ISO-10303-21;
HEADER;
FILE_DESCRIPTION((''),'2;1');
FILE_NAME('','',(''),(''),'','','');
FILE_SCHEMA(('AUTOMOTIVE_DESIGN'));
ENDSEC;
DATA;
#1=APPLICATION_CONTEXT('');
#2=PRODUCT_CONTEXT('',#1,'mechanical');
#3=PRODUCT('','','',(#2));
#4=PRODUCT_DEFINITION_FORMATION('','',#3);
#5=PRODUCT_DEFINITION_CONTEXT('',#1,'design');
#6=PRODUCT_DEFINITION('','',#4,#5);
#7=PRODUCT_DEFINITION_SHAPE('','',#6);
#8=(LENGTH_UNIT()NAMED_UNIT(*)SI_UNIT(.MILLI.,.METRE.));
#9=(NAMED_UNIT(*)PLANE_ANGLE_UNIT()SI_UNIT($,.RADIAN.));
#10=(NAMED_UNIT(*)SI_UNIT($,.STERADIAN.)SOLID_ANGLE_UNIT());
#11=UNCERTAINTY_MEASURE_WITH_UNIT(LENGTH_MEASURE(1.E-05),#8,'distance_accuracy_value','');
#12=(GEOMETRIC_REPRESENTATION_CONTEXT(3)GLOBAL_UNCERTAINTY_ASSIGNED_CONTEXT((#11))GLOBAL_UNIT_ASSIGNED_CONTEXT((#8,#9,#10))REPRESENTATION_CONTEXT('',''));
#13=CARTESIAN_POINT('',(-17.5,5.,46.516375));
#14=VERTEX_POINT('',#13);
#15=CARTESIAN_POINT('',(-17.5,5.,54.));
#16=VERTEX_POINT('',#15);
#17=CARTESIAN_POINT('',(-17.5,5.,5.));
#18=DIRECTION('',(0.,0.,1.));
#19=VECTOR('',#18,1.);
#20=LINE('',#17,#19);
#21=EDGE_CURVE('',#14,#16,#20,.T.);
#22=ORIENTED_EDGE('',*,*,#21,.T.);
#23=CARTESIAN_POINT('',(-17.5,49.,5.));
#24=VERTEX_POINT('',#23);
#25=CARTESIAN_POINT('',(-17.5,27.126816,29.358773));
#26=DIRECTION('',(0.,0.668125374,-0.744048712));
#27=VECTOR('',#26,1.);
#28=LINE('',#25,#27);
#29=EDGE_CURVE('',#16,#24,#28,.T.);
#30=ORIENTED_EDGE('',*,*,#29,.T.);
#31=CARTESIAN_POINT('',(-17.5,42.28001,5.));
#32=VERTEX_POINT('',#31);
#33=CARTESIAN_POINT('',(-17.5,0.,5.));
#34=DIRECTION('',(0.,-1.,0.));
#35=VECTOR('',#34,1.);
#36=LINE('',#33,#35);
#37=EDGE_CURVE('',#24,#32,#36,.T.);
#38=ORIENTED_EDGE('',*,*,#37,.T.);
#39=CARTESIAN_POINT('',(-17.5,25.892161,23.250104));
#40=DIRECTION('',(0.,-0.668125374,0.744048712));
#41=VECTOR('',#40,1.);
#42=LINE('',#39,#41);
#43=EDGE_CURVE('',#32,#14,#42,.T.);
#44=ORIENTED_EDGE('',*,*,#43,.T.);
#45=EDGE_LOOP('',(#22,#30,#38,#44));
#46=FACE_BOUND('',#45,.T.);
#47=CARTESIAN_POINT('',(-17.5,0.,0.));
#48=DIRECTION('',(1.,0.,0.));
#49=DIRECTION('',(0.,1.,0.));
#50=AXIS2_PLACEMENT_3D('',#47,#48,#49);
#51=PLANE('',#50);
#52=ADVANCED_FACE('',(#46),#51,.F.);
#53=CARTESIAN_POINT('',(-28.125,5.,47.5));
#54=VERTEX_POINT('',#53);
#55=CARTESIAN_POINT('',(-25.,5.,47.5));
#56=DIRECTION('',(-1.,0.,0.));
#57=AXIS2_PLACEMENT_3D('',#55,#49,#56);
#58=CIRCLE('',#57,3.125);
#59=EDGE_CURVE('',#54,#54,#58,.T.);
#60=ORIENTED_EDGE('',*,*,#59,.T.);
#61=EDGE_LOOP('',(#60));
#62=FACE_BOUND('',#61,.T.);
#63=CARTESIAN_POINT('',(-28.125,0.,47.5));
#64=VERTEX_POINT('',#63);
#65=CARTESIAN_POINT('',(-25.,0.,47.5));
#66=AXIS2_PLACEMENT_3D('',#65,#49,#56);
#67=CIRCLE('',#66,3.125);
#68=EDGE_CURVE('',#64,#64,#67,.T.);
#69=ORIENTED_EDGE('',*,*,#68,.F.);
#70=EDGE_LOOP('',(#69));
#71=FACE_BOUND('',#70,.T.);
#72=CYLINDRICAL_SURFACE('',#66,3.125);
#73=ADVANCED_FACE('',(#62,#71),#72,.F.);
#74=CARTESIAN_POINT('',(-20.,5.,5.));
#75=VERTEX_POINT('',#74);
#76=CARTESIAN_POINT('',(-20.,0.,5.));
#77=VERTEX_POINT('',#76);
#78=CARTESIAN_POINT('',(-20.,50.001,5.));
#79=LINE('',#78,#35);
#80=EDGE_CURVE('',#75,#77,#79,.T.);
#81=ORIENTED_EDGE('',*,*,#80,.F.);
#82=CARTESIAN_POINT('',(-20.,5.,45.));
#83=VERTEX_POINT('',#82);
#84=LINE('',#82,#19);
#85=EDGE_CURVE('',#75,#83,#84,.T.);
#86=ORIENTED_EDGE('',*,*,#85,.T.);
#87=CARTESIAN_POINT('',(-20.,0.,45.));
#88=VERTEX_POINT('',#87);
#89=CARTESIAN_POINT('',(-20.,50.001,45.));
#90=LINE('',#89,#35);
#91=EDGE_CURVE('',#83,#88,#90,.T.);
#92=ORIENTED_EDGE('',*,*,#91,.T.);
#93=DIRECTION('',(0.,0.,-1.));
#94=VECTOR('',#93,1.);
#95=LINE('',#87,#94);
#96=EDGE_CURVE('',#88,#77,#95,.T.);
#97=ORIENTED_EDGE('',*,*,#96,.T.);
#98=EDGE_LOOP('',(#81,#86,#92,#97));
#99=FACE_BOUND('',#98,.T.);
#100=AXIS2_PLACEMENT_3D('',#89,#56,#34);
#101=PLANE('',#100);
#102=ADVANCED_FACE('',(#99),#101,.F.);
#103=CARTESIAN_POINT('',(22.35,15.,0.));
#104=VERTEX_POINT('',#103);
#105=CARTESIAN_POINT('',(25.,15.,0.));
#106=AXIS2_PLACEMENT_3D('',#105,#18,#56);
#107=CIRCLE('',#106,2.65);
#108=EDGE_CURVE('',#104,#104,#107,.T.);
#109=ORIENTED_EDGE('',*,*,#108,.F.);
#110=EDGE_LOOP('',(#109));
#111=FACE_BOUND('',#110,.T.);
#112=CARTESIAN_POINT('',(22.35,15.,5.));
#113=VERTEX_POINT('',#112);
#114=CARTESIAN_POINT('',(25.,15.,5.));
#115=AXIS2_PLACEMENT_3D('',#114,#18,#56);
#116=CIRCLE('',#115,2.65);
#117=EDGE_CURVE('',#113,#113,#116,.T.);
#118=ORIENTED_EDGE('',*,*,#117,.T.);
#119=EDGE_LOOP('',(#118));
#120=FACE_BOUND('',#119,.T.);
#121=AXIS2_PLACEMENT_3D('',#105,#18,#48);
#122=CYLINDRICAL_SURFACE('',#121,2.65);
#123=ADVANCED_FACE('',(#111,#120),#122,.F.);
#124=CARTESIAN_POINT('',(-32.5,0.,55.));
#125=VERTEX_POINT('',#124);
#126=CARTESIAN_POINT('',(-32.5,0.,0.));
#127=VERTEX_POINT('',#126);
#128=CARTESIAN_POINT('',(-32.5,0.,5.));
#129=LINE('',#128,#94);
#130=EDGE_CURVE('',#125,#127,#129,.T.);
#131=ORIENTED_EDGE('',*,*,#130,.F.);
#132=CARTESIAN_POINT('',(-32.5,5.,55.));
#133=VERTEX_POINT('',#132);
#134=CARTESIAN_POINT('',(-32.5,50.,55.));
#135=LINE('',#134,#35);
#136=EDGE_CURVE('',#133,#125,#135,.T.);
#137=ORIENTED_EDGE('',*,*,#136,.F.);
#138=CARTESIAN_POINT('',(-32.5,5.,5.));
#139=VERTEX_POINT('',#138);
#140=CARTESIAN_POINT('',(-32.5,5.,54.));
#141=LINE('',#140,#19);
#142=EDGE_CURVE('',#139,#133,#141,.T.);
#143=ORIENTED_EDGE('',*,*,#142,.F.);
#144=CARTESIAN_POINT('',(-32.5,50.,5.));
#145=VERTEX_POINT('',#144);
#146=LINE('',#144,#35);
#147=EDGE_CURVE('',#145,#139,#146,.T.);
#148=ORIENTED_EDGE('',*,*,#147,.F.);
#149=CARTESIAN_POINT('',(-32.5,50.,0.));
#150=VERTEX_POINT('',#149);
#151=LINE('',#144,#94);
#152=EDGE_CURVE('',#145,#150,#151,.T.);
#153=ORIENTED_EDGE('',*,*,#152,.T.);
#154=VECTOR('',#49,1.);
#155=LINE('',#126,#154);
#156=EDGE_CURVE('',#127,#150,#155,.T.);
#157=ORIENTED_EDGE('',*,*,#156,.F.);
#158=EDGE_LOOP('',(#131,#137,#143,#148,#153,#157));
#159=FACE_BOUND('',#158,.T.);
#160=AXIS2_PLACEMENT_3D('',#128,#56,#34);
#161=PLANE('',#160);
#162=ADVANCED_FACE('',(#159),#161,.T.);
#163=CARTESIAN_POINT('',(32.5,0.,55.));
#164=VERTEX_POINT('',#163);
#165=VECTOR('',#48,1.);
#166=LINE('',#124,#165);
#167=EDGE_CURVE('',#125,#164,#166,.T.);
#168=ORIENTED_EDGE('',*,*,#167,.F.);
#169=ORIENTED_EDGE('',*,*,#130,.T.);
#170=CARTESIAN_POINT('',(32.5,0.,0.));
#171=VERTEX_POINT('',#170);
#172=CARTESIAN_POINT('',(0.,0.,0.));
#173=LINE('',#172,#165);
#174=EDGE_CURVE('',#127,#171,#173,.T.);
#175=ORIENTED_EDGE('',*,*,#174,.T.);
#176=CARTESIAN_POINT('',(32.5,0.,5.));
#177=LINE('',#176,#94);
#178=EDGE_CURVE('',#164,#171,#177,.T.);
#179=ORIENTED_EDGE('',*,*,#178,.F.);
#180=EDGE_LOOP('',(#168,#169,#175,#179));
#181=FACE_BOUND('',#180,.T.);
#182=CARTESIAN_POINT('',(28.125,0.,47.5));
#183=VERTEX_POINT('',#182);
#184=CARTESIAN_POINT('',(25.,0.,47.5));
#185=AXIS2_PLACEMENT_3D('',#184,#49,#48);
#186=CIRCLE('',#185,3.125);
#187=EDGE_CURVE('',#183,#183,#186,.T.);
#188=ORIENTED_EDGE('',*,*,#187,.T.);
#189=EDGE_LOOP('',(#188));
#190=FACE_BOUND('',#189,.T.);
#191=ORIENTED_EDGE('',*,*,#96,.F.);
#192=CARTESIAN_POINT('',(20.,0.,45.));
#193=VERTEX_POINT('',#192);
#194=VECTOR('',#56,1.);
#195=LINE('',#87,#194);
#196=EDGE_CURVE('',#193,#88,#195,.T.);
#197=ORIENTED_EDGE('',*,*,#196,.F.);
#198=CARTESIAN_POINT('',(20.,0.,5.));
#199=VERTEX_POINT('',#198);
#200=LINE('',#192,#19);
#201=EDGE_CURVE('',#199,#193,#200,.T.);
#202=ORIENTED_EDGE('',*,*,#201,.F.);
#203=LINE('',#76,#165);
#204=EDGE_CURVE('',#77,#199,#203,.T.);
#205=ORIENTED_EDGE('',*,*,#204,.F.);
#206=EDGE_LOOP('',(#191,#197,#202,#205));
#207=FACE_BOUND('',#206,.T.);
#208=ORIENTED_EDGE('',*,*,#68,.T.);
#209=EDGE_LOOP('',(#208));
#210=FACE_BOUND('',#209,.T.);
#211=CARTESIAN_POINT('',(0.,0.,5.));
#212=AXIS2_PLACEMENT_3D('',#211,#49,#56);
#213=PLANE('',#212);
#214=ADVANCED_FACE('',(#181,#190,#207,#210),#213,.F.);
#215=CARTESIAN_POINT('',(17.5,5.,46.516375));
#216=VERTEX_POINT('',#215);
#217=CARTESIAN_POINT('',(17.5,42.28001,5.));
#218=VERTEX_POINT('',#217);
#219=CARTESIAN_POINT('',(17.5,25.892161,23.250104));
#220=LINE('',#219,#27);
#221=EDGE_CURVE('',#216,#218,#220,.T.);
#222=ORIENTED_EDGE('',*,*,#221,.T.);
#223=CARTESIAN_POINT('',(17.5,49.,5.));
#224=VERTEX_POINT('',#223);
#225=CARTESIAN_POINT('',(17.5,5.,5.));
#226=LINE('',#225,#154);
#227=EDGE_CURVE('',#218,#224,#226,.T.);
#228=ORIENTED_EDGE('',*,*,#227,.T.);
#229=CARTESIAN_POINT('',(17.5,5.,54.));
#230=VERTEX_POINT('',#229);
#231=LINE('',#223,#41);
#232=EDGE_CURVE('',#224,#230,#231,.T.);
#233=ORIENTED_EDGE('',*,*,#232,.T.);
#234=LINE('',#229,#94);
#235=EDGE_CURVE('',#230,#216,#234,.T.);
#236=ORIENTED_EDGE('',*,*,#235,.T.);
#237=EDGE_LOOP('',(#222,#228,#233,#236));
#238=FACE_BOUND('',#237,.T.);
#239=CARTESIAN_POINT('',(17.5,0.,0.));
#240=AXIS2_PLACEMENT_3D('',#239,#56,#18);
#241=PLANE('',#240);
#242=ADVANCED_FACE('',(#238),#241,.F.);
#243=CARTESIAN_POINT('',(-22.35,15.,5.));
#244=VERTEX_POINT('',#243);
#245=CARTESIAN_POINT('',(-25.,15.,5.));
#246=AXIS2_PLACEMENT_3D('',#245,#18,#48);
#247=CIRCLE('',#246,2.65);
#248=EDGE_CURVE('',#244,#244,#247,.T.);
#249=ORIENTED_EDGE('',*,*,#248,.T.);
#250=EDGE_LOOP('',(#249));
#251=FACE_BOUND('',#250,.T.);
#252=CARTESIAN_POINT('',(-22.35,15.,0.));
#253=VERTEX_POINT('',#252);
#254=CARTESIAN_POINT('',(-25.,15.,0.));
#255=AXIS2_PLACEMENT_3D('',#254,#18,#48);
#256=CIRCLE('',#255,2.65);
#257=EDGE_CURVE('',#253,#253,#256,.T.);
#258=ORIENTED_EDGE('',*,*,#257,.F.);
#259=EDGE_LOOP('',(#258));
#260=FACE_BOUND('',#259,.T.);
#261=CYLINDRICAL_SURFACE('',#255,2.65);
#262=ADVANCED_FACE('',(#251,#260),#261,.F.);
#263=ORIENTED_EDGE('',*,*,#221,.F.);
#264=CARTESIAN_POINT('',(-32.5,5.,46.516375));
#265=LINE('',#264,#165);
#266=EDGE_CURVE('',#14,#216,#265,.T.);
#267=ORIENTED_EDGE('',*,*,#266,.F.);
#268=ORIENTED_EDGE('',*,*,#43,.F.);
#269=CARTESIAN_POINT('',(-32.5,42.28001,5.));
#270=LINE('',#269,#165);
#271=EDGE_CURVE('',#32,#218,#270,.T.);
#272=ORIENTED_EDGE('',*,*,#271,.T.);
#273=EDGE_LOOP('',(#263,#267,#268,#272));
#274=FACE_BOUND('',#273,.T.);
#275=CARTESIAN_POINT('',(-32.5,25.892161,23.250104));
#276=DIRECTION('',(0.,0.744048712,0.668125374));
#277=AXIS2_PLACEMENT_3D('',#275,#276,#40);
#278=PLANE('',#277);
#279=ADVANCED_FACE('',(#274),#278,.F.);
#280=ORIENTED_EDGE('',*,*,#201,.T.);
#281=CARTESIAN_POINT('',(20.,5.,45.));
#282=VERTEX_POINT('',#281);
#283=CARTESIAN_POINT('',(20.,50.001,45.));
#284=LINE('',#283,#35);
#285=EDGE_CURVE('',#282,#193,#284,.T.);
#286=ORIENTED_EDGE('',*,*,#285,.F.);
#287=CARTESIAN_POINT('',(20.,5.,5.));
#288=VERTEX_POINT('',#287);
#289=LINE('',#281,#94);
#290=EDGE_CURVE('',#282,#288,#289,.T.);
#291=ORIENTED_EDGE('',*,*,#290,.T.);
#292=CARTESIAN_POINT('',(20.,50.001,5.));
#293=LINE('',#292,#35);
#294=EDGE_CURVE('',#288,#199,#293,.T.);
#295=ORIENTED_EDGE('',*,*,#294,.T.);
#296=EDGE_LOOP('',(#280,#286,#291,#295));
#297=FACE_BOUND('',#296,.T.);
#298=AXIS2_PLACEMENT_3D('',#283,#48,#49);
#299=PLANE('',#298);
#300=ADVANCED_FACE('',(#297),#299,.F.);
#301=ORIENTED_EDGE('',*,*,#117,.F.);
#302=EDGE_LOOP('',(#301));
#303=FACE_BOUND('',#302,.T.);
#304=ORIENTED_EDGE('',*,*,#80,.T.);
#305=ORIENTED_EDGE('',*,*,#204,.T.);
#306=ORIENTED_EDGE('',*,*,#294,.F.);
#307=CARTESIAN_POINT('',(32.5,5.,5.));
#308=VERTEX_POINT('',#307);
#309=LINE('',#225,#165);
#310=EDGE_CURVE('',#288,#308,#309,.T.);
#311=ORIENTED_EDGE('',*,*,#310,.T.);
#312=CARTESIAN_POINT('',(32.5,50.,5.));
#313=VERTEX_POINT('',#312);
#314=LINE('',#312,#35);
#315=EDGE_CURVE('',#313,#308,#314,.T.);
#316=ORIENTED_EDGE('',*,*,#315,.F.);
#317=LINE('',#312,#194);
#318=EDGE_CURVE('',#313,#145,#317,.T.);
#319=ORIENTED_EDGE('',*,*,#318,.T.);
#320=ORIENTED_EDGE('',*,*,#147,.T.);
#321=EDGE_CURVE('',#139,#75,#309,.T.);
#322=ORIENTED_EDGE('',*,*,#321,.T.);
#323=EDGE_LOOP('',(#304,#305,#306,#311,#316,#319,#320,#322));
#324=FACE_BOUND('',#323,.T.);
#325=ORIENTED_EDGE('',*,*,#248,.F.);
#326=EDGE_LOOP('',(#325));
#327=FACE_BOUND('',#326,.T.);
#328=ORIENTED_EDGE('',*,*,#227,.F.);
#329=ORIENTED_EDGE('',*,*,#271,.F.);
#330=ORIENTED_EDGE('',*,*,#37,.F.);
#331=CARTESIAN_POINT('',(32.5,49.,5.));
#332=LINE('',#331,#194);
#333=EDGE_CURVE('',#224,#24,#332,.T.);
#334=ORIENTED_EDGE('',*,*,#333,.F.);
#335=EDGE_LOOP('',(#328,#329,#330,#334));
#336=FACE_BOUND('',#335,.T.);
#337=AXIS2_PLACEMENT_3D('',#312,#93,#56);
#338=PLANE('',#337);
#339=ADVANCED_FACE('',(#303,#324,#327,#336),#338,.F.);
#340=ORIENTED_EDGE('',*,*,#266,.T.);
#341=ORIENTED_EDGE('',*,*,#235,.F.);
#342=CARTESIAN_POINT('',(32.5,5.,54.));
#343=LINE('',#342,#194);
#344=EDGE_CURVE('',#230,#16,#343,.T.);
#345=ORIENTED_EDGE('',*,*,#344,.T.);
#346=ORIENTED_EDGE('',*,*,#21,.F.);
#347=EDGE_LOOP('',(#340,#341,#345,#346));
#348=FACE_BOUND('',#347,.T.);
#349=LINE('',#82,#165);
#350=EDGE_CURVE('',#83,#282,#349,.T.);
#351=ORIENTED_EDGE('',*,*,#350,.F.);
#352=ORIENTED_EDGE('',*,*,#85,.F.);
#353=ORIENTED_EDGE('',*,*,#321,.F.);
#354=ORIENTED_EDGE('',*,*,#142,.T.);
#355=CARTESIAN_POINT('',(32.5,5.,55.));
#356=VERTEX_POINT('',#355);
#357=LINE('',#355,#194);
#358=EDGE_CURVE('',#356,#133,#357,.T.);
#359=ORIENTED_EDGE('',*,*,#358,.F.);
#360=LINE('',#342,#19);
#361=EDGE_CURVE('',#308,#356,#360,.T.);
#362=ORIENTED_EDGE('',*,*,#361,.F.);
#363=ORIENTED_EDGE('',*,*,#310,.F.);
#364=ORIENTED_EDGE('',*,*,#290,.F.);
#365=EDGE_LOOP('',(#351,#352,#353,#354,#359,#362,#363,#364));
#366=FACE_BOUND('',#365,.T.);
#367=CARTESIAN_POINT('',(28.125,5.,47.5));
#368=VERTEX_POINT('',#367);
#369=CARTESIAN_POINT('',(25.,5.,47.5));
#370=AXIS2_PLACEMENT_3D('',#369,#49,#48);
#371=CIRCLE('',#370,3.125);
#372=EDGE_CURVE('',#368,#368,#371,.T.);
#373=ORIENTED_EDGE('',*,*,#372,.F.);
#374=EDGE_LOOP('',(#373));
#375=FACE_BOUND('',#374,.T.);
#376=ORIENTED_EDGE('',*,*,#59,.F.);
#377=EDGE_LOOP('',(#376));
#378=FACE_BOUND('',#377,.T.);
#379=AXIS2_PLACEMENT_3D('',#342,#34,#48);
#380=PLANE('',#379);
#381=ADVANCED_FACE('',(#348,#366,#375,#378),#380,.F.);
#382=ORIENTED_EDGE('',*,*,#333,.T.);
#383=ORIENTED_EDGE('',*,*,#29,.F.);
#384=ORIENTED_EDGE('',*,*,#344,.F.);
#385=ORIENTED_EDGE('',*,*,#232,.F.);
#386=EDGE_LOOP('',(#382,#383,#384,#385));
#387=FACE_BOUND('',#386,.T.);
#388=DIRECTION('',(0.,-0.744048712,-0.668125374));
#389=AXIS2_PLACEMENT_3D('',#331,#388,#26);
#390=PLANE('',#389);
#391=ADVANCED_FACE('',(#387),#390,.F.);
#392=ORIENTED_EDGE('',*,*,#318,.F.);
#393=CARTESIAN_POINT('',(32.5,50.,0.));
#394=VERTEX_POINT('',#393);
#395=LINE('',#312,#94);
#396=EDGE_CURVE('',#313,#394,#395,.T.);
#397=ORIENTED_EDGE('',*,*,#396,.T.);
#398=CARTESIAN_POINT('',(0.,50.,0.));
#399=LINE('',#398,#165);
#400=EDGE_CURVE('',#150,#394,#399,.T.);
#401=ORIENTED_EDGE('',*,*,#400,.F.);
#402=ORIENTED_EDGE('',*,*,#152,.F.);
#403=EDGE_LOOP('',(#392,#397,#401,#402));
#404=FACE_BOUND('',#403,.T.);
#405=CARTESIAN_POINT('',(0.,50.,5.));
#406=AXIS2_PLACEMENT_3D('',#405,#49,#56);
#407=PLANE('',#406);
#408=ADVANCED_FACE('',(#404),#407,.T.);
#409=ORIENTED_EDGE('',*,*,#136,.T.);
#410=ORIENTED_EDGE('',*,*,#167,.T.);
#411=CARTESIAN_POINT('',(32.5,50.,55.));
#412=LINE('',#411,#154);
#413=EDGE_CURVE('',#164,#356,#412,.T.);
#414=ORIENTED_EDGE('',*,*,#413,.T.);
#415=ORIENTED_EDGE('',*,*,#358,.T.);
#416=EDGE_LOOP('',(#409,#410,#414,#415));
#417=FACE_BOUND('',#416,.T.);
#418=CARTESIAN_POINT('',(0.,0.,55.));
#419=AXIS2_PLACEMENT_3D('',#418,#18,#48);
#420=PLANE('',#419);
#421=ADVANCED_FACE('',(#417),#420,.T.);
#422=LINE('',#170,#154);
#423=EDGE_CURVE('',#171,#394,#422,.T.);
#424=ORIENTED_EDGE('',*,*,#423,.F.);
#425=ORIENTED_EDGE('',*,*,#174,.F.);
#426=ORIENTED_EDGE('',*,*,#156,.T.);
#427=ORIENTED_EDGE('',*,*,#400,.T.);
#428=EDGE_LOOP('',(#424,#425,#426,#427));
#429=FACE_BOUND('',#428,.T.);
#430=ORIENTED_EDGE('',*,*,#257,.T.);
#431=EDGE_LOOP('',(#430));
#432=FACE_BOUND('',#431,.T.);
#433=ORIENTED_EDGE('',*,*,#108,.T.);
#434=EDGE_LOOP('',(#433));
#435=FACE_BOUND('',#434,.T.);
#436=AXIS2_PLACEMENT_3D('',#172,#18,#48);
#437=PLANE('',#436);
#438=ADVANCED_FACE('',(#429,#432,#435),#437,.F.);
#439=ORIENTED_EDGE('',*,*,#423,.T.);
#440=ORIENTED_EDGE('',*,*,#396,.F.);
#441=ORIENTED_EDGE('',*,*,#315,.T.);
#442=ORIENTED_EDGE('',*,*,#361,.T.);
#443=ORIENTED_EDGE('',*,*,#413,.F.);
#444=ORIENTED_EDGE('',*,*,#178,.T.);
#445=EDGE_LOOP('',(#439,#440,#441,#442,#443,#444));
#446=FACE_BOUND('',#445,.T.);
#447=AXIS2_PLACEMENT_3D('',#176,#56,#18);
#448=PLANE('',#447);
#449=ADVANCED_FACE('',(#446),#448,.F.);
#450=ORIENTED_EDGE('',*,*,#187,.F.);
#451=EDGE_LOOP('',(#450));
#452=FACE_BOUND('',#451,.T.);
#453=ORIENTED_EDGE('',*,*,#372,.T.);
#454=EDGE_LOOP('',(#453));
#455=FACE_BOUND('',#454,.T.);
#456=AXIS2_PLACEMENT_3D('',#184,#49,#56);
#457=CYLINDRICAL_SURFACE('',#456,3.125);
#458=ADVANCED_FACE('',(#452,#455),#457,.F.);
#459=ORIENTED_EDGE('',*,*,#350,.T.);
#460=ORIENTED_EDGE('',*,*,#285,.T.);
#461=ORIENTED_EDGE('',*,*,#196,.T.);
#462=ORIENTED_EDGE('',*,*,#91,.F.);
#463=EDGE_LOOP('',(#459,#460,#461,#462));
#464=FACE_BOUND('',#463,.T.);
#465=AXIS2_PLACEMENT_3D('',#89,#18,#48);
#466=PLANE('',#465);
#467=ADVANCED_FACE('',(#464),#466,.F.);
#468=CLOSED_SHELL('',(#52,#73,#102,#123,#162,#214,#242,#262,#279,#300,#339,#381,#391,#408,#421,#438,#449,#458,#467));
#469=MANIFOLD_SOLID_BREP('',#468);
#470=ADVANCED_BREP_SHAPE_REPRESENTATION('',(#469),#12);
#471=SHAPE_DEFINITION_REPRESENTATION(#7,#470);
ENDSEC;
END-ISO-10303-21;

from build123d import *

# Parameters (mm, degrees)
SKETCH1_W           = 65
SKETCH1_H           = 50
BOSS_EXTRUDE1_DEPTH = 5
SKETCH7_W           = 65
SKETCH7_H           = 50
BOSS_EXTRUDE5_DEPTH = 50
CUT_EXTRUDE4_DEPTH  = 99.742088291
SKETCH9_R           = 2.65
CUT_EXTRUDE5_DEPTH  = 78.821912081
SKETCH10_R          = 3.125
CUT_EXTRUDE6_DEPTH  = 79.14249804
CUT_EXTRUDE14_DEPTH = 15
CUT_EXTRUDE15_START = -65
CUT_EXTRUDE15_DEPTH = 15
CUT_EXTRUDE16_DEPTH = 99.742088291
CUT_EXTRUDE17_REACH = 83.125
SKETCH26_W          = 40
SKETCH26_H          = 40


with BuildPart() as part:
    # Sketch1 → Boss-Extrude1 (new body)
    with BuildSketch(Plane.XY):
        with Locations((0, 25)):
            Rectangle(SKETCH1_W, SKETCH1_H)
    extrude(amount=BOSS_EXTRUDE1_DEPTH)

    # Sketch7 → Boss-Extrude5 (add)
    with BuildSketch(Plane.XY.offset(5)):
        with Locations((0, 25)):
            Rectangle(SKETCH7_W, SKETCH7_H)
    extrude(amount=BOSS_EXTRUDE5_DEPTH)

    # Sketch8 → Cut-Extrude4 (cut, through all)
    with BuildSketch(Plane.ZY.offset(32.5)):
        Polygon((55, 50), (5, 50), (5, 49), (54, 5), (55, 5), align=None)
    extrude(amount=-CUT_EXTRUDE4_DEPTH, mode=Mode.SUBTRACT)

    # Sketch9 → Cut-Extrude5 (cut, through all)
    with BuildSketch(Plane.XY.offset(5)):
        with Locations((-25, 15)):
            Circle(SKETCH9_R)
        with Locations(Location((25, 15, 0), (0, 0, 180))):
            Circle(SKETCH9_R)
    extrude(amount=-CUT_EXTRUDE5_DEPTH, mode=Mode.SUBTRACT)

    # Sketch10 → Cut-Extrude6 (cut, through all)
    with BuildSketch(Plane(origin=(0, 5, 0), x_dir=(1, 0, 0), z_dir=(0, 1, 0))):
        with Locations(Location((-25, -47.5, 0), (0, 0, 180))):
            Circle(SKETCH10_R)
        with Locations((25, -47.5)):
            Circle(SKETCH10_R)
    extrude(amount=-CUT_EXTRUDE6_DEPTH, mode=Mode.SUBTRACT)

    # Sketch24 → Cut-Extrude14 (cut)
    with BuildSketch(Plane(origin=(32.5, 0, 0), x_dir=(0, 0, -1), z_dir=(1, 0, 0))):
        Polygon((-5, 49), (-54, 5), (-5, 5), align=None)
    extrude(amount=-CUT_EXTRUDE14_DEPTH, mode=Mode.SUBTRACT)

    # Sketch24<2> → Cut-Extrude15 (cut)
    with BuildSketch(Plane(origin=(32.5, 0, 0), x_dir=(0, 0, -1), z_dir=(1, 0, 0)).offset(CUT_EXTRUDE15_START)):
        Polygon((-5, 49), (-54, 5), (-5, 5), align=None)
    extrude(amount=CUT_EXTRUDE15_DEPTH, mode=Mode.SUBTRACT)

    # Sketch25 → Cut-Extrude16 (cut, through all)
    with BuildSketch(Plane(origin=(32.5, 0, 0), x_dir=(0, 0, -1), z_dir=(1, 0, 0))):
        Polygon((-5, 5), (-5, 42.280009867), (-46.516374625, 5), align=None)
    extrude(amount=-CUT_EXTRUDE16_DEPTH, mode=Mode.SUBTRACT)

    # Sketch26 → Cut-Extrude17 (cut, up to next)
    with BuildSketch(Plane.XZ, mode=Mode.PRIVATE) as cut_extrude17_sk1:
        with Locations((0, 25)):
            Rectangle(SKETCH26_W, SKETCH26_H)
    cut_extrude17_tool1 = extrude(cut_extrude17_sk1.sketch, amount=-CUT_EXTRUDE17_REACH, mode=Mode.PRIVATE) & part.part
    add(cut_extrude17_tool1.solids().sort_by_distance((0, 0, 25))[0], mode=Mode.SUBTRACT)


solid = part.part
